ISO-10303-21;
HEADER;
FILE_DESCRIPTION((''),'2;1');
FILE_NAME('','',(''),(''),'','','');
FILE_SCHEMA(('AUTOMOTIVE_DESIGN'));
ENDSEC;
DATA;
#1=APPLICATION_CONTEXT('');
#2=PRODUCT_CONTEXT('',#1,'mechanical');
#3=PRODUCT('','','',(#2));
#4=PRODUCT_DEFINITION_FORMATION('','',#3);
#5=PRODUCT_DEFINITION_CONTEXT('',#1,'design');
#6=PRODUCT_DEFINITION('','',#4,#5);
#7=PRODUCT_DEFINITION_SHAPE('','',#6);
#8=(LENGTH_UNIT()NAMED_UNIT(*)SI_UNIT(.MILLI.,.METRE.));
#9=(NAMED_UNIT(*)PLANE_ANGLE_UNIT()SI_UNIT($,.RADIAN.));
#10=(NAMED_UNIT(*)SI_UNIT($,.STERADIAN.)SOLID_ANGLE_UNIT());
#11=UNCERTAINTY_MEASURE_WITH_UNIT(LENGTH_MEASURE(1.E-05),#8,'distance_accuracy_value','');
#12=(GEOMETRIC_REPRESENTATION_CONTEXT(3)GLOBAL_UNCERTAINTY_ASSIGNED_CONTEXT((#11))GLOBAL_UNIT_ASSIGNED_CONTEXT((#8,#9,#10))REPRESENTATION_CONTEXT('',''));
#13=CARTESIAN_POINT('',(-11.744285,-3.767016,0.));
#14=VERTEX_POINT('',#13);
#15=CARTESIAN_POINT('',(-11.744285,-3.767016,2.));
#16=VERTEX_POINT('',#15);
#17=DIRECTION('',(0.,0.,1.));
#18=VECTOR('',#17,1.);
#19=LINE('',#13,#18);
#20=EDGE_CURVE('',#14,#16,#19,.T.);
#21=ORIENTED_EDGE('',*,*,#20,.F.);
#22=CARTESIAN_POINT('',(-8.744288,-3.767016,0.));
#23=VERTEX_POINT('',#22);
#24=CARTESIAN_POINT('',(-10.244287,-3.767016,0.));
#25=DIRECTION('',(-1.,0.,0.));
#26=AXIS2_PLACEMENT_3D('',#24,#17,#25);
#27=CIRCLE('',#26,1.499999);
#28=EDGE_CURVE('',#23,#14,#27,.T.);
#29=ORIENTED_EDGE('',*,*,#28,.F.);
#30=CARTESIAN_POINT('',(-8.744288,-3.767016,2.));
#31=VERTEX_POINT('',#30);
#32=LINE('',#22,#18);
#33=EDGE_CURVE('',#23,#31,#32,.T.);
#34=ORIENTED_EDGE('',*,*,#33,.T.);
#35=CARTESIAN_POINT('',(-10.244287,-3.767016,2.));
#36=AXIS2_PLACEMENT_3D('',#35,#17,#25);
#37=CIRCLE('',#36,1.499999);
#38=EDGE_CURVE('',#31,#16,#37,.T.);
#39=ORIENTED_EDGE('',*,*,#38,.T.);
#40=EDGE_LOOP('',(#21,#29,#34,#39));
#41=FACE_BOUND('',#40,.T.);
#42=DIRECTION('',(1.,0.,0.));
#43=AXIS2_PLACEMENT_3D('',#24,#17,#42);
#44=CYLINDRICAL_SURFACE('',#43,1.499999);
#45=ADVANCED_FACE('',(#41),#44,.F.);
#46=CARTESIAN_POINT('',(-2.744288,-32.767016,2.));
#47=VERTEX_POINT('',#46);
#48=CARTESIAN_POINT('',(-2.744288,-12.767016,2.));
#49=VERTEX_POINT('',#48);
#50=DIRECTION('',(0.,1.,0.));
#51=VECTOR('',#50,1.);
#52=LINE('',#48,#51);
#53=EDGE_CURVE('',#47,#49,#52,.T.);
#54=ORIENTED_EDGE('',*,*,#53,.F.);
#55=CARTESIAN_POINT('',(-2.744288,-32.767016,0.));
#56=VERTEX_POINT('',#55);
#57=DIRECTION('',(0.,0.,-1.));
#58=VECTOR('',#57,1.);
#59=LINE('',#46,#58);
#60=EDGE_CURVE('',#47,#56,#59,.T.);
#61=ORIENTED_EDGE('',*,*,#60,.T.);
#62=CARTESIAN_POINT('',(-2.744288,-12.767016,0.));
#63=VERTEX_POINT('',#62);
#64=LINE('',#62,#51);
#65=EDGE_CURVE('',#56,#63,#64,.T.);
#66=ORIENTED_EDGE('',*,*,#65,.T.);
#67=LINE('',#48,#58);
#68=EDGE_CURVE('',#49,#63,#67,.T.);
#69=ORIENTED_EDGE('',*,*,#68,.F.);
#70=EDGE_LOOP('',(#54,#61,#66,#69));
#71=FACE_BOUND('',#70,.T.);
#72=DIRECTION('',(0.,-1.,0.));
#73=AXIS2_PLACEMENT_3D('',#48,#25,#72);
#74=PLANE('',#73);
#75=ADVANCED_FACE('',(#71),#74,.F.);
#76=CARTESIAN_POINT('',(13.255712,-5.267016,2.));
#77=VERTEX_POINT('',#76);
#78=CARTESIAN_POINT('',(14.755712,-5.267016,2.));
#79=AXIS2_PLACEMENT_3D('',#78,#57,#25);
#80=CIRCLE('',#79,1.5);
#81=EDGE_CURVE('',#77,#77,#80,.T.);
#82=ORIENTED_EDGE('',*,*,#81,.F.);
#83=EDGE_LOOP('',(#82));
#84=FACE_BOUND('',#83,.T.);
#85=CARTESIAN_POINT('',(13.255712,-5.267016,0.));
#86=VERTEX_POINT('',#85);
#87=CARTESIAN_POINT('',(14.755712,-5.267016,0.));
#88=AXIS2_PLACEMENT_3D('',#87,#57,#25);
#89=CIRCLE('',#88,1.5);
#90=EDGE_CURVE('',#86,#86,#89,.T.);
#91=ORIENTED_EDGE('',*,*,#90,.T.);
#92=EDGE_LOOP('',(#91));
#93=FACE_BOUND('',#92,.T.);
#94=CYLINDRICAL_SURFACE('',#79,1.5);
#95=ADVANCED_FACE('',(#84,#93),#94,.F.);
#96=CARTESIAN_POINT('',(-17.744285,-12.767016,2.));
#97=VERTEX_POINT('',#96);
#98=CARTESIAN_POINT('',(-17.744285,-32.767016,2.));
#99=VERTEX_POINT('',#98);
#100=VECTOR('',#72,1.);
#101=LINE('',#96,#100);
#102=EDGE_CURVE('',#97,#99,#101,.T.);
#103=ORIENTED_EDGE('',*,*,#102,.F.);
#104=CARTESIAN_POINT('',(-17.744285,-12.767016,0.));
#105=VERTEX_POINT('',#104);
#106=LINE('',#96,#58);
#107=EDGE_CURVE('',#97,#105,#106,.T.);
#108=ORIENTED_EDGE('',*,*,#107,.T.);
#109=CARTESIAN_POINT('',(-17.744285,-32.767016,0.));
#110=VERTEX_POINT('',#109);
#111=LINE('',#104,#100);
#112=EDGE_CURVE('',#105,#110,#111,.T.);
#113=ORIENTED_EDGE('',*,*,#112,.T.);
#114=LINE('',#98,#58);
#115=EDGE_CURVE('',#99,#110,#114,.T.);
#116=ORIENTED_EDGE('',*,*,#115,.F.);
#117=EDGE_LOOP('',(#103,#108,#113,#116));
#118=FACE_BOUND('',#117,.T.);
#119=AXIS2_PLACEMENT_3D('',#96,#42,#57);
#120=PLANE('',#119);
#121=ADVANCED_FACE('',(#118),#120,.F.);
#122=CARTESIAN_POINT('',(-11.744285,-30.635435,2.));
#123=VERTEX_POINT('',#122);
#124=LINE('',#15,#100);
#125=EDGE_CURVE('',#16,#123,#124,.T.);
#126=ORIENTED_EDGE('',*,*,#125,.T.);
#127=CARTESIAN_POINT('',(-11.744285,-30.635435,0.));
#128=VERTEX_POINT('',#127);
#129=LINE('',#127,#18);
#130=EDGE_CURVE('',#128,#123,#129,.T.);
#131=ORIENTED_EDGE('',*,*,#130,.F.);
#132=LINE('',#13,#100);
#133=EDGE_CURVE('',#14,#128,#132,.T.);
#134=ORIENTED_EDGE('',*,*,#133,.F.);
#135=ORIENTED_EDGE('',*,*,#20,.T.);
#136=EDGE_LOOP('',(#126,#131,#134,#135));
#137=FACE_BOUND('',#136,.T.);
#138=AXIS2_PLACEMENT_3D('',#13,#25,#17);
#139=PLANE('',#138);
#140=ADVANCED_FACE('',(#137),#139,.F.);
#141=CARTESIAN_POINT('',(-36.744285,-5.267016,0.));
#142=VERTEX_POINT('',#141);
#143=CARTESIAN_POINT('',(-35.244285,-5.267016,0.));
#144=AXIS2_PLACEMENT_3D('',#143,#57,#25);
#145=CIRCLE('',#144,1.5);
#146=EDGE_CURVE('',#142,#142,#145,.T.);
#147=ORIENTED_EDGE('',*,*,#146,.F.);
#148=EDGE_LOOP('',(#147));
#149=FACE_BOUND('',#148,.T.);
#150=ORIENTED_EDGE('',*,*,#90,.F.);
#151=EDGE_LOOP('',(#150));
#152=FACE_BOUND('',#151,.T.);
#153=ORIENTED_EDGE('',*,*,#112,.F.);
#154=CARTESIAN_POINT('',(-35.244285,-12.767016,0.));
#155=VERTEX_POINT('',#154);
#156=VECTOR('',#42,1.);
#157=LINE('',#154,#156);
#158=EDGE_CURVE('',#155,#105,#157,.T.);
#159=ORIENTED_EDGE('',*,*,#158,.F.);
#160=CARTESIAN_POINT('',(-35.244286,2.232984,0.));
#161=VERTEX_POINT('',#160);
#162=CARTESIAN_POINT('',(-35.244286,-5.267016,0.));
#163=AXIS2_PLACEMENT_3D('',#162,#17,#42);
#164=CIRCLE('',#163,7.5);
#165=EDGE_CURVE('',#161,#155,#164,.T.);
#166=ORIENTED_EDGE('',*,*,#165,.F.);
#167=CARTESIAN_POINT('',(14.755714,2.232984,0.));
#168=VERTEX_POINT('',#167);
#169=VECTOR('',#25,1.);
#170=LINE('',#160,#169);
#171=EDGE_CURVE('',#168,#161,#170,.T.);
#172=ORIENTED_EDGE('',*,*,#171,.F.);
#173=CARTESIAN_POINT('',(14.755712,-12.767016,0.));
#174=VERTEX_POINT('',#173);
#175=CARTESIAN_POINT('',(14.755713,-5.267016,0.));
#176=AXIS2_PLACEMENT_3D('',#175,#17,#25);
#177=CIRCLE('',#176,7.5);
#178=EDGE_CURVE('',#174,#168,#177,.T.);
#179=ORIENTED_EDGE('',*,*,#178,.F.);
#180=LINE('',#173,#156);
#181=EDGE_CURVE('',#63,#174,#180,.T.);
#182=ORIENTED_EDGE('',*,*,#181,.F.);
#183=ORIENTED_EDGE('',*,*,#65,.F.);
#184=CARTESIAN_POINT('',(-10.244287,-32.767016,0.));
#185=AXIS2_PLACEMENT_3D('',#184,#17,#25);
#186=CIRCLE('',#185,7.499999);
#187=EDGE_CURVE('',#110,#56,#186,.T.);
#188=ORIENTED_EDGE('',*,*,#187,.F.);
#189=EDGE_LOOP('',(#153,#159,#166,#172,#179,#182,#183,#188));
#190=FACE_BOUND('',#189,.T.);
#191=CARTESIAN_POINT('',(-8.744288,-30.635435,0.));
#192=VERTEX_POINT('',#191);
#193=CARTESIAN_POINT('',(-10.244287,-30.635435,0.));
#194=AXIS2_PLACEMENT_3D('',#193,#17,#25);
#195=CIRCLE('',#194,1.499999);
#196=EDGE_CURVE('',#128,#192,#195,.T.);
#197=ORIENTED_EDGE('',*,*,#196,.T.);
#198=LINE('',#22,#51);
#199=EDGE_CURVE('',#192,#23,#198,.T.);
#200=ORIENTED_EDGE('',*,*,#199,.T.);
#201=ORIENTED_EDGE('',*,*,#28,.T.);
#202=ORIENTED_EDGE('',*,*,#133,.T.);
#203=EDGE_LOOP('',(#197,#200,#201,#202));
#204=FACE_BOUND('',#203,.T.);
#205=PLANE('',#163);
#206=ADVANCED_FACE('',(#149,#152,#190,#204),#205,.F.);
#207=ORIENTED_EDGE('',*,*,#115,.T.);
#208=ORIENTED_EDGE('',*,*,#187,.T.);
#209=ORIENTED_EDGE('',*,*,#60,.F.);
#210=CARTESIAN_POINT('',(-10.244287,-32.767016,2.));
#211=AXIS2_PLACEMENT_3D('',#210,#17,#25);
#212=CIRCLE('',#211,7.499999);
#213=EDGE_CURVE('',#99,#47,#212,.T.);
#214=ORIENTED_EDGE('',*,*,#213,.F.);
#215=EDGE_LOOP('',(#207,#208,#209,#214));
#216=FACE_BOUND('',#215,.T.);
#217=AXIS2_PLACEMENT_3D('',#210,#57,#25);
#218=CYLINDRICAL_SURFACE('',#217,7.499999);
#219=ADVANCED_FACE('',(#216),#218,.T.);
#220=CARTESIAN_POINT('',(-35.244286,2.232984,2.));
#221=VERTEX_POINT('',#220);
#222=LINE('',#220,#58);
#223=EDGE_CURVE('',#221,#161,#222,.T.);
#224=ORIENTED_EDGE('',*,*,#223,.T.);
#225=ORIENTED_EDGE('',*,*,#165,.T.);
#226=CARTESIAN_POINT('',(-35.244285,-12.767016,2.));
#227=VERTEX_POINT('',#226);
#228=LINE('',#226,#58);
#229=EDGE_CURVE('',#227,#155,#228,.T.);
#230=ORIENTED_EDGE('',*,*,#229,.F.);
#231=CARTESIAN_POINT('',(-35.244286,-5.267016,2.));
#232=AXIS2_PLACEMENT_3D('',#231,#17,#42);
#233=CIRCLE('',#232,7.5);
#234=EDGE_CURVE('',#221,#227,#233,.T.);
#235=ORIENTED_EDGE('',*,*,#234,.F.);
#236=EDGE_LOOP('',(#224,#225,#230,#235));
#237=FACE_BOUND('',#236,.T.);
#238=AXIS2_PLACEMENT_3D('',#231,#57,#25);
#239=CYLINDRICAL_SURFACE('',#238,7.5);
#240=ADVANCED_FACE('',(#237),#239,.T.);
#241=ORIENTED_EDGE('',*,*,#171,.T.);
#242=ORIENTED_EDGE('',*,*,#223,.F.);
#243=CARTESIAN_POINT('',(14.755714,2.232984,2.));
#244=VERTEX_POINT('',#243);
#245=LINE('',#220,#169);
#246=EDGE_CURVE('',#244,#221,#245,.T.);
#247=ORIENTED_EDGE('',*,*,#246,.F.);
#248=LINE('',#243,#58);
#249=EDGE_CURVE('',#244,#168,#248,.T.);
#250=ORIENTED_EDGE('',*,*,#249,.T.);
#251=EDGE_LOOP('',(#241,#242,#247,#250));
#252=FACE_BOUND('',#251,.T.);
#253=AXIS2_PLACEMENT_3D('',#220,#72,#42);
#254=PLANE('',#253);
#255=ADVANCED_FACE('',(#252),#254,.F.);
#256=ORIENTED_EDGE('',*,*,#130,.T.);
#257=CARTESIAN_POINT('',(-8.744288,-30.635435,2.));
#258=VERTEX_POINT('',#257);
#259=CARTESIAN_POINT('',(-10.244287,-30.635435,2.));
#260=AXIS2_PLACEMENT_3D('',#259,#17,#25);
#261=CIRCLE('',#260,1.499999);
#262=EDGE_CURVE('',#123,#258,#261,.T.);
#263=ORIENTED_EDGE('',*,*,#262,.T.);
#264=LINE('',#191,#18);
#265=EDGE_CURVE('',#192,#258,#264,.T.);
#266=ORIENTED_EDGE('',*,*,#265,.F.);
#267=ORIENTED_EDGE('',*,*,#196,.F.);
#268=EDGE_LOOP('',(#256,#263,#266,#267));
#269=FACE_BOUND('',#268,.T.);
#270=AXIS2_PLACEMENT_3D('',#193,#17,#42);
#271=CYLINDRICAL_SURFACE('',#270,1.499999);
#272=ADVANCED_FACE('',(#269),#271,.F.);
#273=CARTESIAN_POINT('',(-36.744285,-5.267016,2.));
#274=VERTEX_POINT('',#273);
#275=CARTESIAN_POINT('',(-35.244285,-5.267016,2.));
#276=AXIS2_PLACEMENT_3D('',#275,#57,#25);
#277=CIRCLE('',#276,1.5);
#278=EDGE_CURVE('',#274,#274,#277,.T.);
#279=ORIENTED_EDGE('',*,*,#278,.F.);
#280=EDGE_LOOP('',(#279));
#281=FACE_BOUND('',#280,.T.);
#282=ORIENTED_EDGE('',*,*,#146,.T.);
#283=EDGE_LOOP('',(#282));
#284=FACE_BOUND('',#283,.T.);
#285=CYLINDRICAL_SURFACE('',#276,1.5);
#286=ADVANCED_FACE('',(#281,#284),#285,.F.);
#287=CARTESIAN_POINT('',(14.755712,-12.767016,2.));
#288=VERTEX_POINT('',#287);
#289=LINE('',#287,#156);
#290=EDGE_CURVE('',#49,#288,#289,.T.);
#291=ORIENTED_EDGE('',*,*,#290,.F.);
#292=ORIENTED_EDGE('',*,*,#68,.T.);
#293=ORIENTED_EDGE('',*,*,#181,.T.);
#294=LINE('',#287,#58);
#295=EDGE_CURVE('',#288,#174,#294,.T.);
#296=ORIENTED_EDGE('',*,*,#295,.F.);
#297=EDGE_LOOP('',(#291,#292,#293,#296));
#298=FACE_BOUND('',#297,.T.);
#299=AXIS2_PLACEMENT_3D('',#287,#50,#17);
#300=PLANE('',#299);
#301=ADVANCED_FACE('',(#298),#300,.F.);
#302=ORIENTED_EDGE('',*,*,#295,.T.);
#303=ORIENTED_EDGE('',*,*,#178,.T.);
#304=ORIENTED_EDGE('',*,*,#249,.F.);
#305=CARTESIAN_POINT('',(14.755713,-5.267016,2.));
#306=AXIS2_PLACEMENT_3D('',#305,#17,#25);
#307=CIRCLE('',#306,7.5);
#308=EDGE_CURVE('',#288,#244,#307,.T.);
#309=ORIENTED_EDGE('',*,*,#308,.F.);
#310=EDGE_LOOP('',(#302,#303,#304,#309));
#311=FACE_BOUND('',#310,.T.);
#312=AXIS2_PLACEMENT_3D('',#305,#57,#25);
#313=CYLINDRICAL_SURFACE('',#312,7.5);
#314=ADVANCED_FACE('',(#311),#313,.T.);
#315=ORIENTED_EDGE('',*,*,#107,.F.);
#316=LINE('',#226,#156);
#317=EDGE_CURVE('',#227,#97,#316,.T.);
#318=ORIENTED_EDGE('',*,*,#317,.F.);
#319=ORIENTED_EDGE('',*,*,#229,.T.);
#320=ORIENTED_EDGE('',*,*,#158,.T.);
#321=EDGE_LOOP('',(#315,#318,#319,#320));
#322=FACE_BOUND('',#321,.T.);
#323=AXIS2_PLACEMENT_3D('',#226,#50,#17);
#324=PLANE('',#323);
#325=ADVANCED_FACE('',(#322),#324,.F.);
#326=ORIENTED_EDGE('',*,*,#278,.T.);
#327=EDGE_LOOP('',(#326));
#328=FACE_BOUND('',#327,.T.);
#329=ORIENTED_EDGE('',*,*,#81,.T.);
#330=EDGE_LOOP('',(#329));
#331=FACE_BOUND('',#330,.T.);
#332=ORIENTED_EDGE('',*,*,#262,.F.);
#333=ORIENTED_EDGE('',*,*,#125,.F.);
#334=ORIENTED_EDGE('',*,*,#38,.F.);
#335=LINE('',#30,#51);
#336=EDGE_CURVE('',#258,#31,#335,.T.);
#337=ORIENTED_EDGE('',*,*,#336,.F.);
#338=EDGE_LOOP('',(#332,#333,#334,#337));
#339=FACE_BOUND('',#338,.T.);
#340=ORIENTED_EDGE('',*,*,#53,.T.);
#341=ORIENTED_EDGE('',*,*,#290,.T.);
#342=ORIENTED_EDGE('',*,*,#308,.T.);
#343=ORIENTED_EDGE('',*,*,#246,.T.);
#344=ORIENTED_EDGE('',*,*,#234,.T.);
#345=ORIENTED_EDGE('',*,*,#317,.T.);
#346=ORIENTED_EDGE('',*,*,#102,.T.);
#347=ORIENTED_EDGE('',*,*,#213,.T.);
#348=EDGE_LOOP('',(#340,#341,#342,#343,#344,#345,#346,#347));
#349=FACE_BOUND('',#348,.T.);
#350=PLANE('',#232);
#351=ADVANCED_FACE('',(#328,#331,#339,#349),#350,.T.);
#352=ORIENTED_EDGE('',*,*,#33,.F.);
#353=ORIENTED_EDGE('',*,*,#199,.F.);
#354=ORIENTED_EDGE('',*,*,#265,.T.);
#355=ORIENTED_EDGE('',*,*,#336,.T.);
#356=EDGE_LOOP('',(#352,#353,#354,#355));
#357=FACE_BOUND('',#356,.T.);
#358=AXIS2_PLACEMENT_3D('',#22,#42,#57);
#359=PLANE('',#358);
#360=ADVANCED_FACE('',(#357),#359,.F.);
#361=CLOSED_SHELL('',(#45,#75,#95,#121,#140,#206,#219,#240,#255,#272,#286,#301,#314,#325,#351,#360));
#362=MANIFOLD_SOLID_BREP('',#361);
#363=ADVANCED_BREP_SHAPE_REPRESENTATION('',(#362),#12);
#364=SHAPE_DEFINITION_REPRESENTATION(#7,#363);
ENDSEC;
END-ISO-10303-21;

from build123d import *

# Parameters (mm, degrees)
EXTRUDE_1_DEPTH     = 2
CUT_EXTRUDE_2_DEPTH = 59.758033272
SKETCH_3_R          = 1.5
CUT_EXTRUDE_1_DEPTH = 59.758033272


with BuildPart() as part:
    # 草图1 → 凸台-拉伸1 (new body)
    with BuildSketch(Plane.XY):
        with BuildLine():
            Line((-35.244286067, 2.232984072), (14.755713933, 2.232984072))
            ThreePointArc((14.755713933, 2.232984072), (22.255713134, -5.267016727), (14.755712334, -12.767015928))
            Line((14.755712334, -12.767015928), (-2.744287666, -12.767015928))
            Line((-2.744287666, -12.767015928), (-2.744287666, -32.767015928))
            ThreePointArc((-2.744287666, -32.767015928), (-10.244286561, -40.267014822), (-17.744285455, -32.767015928))
            Line((-17.744285455, -32.767015928), (-17.744285455, -12.767015928))
            Line((-17.744285455, -12.767015928), (-35.244285455, -12.767015928))
            ThreePointArc((-35.244285455, -12.767015928), (-42.744286067, -5.267016233), (-35.244286067, 2.232984072))
        make_face()
    extrude(amount=EXTRUDE_1_DEPTH)

    # 草图2 → 切除-拉伸2 (cut, through all)
    with BuildSketch(Plane.XY.offset(2)):
        with BuildLine():
            Line((-11.744285455, -3.767015928), (-11.744285455, -30.635435278))
            ThreePointArc((-11.744285455, -30.635435278), (-10.244286561, -32.135434173), (-8.744287666, -30.635435278))
            Line((-8.744287666, -30.635435278), (-8.744287666, -3.767015928))
            ThreePointArc((-8.744287666, -3.767015928), (-10.244286561, -2.267017033), (-11.744285455, -3.767015928))
        make_face()
    extrude(amount=-CUT_EXTRUDE_2_DEPTH, mode=Mode.SUBTRACT)

    # 草图3 → 切除-拉伸1 (cut, through all)
    with BuildSketch(Plane(origin=(0, 0, 0), x_dir=(-1, 0, 0), z_dir=(0, 0, -1))):
        with Locations((-14.755712334, -5.267015928)):
            Circle(SKETCH_3_R)
        with Locations((35.244285455, -5.267015928)):
            Circle(SKETCH_3_R)
    extrude(amount=-CUT_EXTRUDE_1_DEPTH, mode=Mode.SUBTRACT)


solid = part.part
